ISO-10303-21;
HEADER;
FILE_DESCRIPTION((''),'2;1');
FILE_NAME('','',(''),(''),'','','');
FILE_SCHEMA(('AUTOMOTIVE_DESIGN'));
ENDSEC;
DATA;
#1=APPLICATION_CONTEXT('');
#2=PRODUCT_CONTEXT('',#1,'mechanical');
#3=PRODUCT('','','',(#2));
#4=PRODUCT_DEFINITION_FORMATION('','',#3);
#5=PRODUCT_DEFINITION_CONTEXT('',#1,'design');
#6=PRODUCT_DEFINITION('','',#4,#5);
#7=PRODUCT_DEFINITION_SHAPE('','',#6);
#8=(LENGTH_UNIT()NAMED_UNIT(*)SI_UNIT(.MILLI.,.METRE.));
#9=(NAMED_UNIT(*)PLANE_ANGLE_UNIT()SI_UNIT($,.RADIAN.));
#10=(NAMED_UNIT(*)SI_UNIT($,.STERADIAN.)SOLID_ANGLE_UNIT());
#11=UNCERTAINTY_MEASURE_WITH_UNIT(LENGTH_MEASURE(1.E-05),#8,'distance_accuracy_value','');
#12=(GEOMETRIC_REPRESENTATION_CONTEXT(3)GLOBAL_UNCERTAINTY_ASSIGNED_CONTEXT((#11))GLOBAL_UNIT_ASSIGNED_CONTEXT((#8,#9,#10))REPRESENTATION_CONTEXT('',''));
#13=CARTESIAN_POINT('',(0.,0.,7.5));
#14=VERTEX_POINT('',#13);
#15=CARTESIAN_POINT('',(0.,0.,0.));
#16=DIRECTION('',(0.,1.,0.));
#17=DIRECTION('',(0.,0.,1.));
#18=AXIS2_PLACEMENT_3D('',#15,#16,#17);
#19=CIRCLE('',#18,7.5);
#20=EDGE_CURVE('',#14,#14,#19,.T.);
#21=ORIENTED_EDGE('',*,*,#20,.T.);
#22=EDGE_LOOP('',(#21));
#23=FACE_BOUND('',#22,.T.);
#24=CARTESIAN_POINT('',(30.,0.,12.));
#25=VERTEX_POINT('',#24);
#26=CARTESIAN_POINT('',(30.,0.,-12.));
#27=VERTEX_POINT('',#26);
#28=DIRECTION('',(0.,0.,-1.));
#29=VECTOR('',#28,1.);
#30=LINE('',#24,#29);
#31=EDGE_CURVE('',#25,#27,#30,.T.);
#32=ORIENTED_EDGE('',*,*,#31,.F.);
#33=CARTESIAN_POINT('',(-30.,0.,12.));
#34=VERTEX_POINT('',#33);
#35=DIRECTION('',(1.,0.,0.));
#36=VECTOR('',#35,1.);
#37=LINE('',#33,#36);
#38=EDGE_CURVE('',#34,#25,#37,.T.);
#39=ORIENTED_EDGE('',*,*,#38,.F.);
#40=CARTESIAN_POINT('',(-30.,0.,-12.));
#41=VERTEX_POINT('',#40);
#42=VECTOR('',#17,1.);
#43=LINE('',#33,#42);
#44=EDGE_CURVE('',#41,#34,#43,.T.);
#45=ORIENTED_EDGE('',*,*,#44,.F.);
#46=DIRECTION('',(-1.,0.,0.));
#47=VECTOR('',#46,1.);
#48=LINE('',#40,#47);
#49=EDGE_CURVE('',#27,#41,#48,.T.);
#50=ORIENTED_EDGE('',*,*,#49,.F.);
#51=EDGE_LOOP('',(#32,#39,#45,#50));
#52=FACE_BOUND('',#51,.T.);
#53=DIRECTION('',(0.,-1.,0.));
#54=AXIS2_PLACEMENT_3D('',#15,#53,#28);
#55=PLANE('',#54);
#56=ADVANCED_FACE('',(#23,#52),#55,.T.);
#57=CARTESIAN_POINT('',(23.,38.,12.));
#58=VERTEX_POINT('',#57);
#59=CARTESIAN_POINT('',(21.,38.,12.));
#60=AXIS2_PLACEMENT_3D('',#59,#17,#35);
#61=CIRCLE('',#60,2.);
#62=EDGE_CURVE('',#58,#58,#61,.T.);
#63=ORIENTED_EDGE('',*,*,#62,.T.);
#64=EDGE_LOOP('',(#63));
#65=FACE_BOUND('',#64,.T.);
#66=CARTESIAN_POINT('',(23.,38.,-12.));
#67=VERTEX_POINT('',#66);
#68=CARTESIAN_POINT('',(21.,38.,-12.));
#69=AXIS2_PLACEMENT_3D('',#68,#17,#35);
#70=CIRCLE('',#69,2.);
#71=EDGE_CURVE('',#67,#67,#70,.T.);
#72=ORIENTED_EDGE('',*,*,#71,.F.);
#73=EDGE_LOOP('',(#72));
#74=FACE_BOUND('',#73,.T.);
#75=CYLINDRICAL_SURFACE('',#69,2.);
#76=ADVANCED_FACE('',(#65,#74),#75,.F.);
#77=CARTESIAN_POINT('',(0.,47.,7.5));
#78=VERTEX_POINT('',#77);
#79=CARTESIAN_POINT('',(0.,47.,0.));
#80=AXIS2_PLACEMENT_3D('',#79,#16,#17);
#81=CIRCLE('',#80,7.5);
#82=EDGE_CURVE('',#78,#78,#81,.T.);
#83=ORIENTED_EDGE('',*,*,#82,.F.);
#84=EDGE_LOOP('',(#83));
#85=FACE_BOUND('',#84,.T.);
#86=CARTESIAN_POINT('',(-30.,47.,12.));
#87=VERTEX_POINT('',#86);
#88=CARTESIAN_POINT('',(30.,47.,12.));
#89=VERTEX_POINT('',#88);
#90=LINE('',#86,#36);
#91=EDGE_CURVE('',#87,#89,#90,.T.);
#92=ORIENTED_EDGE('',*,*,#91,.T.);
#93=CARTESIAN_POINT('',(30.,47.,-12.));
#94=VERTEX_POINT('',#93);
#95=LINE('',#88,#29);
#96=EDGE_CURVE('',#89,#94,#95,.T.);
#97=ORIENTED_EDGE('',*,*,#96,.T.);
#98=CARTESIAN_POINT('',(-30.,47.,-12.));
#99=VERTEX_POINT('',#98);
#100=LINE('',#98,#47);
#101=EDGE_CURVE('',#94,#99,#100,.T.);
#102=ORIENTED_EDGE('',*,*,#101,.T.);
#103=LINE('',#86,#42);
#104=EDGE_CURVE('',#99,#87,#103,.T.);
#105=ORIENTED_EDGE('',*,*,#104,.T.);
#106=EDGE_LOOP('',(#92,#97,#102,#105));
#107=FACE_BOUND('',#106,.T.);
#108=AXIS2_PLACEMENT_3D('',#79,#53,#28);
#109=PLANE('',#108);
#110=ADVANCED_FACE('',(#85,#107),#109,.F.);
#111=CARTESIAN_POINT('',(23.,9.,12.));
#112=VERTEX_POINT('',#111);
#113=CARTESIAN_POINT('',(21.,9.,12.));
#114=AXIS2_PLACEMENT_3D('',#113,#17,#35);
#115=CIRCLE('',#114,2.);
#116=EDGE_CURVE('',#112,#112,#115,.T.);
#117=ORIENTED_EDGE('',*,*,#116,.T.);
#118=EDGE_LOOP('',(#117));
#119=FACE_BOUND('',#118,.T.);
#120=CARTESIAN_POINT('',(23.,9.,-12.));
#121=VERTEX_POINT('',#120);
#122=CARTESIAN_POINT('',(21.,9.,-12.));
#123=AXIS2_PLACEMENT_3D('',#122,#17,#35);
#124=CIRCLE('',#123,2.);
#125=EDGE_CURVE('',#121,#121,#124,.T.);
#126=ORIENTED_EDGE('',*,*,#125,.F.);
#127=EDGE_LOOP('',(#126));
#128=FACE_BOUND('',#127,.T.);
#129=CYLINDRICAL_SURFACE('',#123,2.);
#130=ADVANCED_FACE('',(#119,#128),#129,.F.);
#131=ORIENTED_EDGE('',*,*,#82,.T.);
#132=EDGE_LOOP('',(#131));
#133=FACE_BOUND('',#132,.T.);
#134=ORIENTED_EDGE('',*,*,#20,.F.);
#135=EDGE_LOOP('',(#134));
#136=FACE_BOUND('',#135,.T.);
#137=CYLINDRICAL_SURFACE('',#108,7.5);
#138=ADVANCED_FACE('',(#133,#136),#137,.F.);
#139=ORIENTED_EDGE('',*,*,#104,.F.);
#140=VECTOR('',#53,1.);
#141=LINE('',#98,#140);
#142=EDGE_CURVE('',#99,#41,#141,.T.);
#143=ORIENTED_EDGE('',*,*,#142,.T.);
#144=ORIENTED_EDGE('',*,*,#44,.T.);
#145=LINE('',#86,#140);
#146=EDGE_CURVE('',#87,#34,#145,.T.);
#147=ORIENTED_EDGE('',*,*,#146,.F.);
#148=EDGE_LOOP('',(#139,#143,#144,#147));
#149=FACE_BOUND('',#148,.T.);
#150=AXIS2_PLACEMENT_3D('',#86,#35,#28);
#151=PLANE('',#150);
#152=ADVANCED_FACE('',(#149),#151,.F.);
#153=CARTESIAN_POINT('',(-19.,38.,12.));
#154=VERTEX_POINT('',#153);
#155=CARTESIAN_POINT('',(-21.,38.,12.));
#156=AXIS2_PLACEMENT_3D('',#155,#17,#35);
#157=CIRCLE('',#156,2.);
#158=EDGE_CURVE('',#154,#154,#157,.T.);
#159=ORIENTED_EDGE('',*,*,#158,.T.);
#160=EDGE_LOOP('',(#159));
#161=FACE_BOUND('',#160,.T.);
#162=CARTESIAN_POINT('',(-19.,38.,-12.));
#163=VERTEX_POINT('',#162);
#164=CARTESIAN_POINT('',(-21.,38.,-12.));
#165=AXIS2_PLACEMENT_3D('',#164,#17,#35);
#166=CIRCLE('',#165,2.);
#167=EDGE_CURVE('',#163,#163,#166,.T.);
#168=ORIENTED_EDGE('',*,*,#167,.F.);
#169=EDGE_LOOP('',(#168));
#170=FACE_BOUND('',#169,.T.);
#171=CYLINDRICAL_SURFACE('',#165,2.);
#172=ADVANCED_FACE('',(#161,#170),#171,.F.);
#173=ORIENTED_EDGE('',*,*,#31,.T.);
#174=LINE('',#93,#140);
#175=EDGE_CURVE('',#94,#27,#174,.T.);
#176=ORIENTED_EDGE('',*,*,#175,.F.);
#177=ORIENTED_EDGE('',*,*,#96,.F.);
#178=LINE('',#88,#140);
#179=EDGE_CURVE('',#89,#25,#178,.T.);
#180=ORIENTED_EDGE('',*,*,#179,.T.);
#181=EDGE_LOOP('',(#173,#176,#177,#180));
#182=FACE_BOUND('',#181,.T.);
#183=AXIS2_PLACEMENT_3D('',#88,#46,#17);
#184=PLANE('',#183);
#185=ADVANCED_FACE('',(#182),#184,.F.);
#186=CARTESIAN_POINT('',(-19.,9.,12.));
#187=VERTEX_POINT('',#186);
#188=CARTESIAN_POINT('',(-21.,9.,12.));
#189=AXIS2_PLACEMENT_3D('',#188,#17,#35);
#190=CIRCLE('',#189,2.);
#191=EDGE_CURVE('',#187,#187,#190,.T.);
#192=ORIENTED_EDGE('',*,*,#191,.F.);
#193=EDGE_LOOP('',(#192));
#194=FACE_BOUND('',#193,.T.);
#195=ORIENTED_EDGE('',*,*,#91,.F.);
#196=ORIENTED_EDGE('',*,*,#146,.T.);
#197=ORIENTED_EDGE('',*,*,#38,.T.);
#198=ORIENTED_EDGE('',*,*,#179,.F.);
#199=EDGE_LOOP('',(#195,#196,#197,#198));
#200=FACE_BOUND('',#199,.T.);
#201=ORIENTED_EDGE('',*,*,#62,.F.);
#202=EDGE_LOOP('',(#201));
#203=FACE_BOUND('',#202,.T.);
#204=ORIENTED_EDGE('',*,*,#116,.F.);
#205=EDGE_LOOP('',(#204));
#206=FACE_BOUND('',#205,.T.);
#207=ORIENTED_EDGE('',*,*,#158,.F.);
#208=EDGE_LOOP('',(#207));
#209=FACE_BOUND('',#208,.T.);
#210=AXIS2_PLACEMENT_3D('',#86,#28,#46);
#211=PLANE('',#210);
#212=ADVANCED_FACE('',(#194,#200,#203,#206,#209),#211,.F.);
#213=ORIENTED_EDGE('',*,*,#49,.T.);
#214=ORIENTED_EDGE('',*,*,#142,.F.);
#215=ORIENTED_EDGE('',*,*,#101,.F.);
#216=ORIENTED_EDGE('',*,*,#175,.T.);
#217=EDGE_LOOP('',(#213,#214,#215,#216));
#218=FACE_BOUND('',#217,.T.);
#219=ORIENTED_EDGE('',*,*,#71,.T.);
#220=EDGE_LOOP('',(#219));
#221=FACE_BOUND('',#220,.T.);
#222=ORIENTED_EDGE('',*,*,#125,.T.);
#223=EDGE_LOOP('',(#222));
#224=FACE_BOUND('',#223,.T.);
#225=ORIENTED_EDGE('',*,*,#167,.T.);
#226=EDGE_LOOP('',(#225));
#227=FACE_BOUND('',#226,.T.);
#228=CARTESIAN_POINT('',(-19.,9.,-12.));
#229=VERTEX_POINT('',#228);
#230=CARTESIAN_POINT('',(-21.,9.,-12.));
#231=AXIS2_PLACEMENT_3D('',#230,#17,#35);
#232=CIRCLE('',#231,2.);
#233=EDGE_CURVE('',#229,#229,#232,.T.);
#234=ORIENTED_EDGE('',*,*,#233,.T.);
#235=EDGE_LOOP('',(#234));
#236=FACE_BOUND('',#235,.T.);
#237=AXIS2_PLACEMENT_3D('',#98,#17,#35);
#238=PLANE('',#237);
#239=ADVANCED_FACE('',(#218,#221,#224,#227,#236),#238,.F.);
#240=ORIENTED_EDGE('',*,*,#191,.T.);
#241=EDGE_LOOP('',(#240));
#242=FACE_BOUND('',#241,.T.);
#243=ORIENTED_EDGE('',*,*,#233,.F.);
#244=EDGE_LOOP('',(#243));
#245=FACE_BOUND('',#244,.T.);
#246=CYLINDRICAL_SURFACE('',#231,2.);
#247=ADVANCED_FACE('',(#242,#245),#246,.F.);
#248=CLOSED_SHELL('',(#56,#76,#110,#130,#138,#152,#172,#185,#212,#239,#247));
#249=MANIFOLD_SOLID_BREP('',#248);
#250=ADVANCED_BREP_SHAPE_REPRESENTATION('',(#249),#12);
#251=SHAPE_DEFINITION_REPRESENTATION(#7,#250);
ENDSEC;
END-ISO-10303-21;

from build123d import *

# Parameters (mm, degrees)
SKETCH2_W           = 60
SKETCH2_H           = 24
SKETCH2_R           = 7.5
BOSS_EXTRUDE1_DEPTH = 47
SKETCH2_2_W         = 60
SKETCH2_2_H         = 24
SKETCH2_2_R         = 7.5
BOSS_EXTRUDE2_DEPTH = 25.5
SKETCH8_R           = 2
CUT_EXTRUDE1_DEPTH  = 61.704200843


with BuildPart() as part:
    # Sketch2 → Boss-Extrude1 (new body)
    with BuildSketch(Plane(origin=(0, 0, 0), x_dir=(1, 0, 0), z_dir=(0, 1, 0))):
        Rectangle(SKETCH2_W, SKETCH2_H)
        Circle(SKETCH2_R, mode=Mode.SUBTRACT)
    extrude(amount=BOSS_EXTRUDE1_DEPTH)

    # Sketch2<2> → Boss-Extrude2 (add)
    with BuildSketch(Plane(origin=(0, 0, 0), x_dir=(1, 0, 0), z_dir=(0, 1, 0))):
        Rectangle(SKETCH2_2_W, SKETCH2_2_H)
        Circle(SKETCH2_2_R, mode=Mode.SUBTRACT)
    extrude(amount=BOSS_EXTRUDE2_DEPTH)

    # Sketch8 → Cut-Extrude1 (cut, through all)
    with BuildSketch(Plane.XY.offset(12)):
        with Locations((-21, 9)):
            Circle(SKETCH8_R)
        with Locations((-21, 38)):
            Circle(SKETCH8_R)
        with Locations((21, 38)):
            Circle(SKETCH8_R)
        with Locations((21, 9)):
            Circle(SKETCH8_R)
    extrude(amount=-CUT_EXTRUDE1_DEPTH, mode=Mode.SUBTRACT)


solid = part.part
